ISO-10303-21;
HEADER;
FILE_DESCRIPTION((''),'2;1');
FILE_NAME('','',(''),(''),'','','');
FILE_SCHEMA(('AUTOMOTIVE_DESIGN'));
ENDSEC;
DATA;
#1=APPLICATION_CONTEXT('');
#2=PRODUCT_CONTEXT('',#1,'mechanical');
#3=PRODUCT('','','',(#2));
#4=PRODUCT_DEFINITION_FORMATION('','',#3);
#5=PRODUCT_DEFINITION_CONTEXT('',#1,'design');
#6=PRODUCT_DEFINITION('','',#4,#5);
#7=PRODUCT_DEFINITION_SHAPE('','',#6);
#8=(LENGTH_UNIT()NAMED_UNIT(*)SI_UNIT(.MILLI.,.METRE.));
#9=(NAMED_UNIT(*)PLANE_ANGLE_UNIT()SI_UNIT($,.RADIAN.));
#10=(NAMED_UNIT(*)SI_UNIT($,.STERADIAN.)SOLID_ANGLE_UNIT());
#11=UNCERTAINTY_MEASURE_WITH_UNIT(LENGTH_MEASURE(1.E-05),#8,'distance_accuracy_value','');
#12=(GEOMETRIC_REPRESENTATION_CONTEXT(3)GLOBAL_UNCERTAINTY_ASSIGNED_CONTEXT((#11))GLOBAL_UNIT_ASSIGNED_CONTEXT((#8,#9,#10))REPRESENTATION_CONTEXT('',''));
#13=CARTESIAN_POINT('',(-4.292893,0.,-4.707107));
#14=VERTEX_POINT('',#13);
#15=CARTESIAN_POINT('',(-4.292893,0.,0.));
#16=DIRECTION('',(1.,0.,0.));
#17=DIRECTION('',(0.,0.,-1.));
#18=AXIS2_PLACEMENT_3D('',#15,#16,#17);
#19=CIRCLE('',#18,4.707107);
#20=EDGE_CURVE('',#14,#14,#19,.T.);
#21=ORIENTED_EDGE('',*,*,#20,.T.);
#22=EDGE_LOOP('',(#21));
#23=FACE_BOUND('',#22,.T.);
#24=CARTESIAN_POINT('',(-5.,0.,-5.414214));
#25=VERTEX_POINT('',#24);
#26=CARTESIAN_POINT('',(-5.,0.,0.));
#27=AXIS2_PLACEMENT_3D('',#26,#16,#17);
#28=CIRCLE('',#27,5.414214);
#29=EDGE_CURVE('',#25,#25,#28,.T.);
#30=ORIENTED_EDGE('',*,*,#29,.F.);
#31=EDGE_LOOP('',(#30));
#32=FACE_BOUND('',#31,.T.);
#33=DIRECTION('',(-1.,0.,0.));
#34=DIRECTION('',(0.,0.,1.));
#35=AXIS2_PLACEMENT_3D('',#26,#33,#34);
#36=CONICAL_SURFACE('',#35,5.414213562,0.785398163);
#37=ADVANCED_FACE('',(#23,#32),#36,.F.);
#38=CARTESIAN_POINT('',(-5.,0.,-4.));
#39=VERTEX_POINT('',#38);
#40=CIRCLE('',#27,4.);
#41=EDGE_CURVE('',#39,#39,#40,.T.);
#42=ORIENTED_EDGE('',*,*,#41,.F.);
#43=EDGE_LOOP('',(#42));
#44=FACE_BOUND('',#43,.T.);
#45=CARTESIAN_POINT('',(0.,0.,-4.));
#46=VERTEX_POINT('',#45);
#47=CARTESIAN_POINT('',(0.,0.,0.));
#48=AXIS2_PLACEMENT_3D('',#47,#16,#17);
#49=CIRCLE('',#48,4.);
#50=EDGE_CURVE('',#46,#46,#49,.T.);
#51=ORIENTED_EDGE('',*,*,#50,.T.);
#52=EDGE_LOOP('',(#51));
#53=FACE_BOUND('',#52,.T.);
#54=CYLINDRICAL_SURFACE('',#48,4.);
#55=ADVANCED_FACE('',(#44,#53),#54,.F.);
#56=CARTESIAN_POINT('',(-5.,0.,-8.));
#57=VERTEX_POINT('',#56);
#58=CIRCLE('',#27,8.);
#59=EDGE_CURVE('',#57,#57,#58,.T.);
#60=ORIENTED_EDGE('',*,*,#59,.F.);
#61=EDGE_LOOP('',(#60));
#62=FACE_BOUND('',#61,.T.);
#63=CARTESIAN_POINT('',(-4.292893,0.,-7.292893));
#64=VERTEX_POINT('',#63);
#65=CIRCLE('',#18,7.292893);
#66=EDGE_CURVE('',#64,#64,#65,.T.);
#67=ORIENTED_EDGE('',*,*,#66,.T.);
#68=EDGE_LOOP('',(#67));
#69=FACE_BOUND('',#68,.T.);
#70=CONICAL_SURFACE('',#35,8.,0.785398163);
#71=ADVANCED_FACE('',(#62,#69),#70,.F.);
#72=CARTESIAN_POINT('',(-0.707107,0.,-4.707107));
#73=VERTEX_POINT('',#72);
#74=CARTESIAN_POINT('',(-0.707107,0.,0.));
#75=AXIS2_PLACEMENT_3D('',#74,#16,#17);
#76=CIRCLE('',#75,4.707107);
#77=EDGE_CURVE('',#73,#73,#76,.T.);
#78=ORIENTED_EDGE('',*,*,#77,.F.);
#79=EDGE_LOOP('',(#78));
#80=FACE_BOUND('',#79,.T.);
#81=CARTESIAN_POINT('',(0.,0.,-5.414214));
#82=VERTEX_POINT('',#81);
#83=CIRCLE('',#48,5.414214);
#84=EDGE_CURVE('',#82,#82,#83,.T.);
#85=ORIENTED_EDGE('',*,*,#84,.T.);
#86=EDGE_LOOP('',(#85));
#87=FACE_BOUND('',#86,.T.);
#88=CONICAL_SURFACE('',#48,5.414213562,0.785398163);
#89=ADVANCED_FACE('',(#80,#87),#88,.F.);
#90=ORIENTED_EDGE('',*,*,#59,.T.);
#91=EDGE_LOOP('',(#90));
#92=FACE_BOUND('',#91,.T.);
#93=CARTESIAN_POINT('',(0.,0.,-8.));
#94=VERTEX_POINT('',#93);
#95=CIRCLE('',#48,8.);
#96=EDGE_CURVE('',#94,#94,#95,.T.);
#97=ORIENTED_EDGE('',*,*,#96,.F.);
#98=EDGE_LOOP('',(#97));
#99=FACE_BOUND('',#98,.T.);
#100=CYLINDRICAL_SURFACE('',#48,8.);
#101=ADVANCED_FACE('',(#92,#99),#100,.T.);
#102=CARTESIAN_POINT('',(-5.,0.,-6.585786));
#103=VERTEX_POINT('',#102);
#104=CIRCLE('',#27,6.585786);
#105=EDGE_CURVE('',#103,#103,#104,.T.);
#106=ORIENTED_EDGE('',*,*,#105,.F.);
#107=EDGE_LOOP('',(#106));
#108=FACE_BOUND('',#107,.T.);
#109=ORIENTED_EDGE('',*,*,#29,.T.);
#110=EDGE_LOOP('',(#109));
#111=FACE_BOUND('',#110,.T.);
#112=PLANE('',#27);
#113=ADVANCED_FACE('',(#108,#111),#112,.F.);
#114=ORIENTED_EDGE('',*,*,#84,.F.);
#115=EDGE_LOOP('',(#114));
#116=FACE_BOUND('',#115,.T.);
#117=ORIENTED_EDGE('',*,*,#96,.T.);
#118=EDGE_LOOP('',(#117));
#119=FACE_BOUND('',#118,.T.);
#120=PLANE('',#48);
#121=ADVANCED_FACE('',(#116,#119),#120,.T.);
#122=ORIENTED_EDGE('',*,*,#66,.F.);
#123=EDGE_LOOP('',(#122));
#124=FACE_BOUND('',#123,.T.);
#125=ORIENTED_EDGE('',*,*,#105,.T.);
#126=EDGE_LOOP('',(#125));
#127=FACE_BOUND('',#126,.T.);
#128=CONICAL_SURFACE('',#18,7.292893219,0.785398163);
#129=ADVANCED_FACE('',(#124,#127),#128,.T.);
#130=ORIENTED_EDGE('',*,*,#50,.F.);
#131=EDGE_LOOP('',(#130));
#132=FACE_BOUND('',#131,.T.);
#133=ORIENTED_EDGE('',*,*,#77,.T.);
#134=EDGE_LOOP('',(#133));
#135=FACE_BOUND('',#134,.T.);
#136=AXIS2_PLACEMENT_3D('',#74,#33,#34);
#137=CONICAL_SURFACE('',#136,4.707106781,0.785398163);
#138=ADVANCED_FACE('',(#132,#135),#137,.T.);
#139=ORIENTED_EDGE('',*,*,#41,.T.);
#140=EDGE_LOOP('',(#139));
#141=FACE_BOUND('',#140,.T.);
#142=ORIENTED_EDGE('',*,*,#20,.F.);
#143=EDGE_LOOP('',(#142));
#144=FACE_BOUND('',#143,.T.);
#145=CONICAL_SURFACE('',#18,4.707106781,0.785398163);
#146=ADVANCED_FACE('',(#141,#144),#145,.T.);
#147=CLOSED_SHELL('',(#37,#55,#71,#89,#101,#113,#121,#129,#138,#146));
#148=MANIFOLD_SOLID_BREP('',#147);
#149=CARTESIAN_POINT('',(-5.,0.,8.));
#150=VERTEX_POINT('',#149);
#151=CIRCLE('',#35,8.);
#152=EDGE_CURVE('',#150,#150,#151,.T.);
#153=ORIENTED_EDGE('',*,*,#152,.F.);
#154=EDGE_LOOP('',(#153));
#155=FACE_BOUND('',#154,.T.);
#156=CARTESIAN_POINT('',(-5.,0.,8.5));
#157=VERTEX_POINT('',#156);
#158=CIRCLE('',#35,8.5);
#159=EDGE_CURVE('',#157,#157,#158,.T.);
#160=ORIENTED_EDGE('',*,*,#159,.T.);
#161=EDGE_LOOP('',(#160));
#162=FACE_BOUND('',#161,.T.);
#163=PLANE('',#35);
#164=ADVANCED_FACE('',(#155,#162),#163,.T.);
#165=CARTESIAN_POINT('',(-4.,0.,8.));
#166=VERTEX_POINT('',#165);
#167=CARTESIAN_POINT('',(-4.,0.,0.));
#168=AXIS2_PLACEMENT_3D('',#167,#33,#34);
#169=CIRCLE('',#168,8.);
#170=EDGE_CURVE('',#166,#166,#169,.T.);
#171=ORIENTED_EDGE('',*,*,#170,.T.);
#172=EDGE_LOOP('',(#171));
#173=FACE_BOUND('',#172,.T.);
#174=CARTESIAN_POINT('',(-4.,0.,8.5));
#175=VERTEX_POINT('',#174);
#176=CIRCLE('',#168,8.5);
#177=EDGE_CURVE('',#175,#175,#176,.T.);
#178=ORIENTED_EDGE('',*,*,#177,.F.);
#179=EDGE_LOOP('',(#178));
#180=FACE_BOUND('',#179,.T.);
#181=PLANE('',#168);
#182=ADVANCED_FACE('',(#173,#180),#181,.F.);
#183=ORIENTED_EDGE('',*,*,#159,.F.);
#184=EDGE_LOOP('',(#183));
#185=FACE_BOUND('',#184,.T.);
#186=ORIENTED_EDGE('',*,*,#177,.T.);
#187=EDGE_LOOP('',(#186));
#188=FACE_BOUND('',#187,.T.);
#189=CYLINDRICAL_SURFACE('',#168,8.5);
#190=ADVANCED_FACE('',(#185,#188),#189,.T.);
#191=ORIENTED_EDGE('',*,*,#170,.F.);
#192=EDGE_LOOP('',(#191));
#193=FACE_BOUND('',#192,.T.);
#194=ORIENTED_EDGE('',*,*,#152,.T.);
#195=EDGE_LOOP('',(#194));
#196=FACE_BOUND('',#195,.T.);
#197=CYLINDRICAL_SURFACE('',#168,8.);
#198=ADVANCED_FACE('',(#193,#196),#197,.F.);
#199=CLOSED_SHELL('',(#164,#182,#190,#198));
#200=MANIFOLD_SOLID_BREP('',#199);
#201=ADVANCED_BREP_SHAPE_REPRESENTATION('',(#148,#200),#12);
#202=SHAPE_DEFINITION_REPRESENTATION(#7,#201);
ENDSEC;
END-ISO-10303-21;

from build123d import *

# Parameters (mm, degrees)
SKETCH_2_R      = 8.5
SKETCH_2_R_2    = 8
EXTRUDE_1_DEPTH = 1


with BuildPart() as part:
    # 草图1 → 旋转1 (revolve)
    with BuildSketch(Plane(origin=(0, 0, 0), x_dir=(1, 0, 0), z_dir=(0, 1, 0)), mode=Mode.PRIVATE) as revolve_1_sk:
        Polygon((0, -4), (-5, -4), (-4.292893219, -4.707106781), (-5, -5.414213562), (-5, -6.585786438), (-4.292893219, -7.292893219), (-5, -8), (0, -8), (0, -5.414213562), (-0.707106781, -4.707106781), align=None)
    revolve(revolve_1_sk.sketch.rotate(Axis((0, 0, 0), (-1, 0, 0)), 180), axis=Axis((0, 0, 0), (-1, 0, 0)))


with BuildPart() as body_2:
    # 草图2 → 凸台-拉伸1 (new body)
    with BuildSketch(Plane.ZY.offset(5)):
        Circle(SKETCH_2_R)
        Circle(SKETCH_2_R_2, mode=Mode.SUBTRACT)
    extrude(amount=-EXTRUDE_1_DEPTH)


solid = Compound([part.part, body_2.part])
